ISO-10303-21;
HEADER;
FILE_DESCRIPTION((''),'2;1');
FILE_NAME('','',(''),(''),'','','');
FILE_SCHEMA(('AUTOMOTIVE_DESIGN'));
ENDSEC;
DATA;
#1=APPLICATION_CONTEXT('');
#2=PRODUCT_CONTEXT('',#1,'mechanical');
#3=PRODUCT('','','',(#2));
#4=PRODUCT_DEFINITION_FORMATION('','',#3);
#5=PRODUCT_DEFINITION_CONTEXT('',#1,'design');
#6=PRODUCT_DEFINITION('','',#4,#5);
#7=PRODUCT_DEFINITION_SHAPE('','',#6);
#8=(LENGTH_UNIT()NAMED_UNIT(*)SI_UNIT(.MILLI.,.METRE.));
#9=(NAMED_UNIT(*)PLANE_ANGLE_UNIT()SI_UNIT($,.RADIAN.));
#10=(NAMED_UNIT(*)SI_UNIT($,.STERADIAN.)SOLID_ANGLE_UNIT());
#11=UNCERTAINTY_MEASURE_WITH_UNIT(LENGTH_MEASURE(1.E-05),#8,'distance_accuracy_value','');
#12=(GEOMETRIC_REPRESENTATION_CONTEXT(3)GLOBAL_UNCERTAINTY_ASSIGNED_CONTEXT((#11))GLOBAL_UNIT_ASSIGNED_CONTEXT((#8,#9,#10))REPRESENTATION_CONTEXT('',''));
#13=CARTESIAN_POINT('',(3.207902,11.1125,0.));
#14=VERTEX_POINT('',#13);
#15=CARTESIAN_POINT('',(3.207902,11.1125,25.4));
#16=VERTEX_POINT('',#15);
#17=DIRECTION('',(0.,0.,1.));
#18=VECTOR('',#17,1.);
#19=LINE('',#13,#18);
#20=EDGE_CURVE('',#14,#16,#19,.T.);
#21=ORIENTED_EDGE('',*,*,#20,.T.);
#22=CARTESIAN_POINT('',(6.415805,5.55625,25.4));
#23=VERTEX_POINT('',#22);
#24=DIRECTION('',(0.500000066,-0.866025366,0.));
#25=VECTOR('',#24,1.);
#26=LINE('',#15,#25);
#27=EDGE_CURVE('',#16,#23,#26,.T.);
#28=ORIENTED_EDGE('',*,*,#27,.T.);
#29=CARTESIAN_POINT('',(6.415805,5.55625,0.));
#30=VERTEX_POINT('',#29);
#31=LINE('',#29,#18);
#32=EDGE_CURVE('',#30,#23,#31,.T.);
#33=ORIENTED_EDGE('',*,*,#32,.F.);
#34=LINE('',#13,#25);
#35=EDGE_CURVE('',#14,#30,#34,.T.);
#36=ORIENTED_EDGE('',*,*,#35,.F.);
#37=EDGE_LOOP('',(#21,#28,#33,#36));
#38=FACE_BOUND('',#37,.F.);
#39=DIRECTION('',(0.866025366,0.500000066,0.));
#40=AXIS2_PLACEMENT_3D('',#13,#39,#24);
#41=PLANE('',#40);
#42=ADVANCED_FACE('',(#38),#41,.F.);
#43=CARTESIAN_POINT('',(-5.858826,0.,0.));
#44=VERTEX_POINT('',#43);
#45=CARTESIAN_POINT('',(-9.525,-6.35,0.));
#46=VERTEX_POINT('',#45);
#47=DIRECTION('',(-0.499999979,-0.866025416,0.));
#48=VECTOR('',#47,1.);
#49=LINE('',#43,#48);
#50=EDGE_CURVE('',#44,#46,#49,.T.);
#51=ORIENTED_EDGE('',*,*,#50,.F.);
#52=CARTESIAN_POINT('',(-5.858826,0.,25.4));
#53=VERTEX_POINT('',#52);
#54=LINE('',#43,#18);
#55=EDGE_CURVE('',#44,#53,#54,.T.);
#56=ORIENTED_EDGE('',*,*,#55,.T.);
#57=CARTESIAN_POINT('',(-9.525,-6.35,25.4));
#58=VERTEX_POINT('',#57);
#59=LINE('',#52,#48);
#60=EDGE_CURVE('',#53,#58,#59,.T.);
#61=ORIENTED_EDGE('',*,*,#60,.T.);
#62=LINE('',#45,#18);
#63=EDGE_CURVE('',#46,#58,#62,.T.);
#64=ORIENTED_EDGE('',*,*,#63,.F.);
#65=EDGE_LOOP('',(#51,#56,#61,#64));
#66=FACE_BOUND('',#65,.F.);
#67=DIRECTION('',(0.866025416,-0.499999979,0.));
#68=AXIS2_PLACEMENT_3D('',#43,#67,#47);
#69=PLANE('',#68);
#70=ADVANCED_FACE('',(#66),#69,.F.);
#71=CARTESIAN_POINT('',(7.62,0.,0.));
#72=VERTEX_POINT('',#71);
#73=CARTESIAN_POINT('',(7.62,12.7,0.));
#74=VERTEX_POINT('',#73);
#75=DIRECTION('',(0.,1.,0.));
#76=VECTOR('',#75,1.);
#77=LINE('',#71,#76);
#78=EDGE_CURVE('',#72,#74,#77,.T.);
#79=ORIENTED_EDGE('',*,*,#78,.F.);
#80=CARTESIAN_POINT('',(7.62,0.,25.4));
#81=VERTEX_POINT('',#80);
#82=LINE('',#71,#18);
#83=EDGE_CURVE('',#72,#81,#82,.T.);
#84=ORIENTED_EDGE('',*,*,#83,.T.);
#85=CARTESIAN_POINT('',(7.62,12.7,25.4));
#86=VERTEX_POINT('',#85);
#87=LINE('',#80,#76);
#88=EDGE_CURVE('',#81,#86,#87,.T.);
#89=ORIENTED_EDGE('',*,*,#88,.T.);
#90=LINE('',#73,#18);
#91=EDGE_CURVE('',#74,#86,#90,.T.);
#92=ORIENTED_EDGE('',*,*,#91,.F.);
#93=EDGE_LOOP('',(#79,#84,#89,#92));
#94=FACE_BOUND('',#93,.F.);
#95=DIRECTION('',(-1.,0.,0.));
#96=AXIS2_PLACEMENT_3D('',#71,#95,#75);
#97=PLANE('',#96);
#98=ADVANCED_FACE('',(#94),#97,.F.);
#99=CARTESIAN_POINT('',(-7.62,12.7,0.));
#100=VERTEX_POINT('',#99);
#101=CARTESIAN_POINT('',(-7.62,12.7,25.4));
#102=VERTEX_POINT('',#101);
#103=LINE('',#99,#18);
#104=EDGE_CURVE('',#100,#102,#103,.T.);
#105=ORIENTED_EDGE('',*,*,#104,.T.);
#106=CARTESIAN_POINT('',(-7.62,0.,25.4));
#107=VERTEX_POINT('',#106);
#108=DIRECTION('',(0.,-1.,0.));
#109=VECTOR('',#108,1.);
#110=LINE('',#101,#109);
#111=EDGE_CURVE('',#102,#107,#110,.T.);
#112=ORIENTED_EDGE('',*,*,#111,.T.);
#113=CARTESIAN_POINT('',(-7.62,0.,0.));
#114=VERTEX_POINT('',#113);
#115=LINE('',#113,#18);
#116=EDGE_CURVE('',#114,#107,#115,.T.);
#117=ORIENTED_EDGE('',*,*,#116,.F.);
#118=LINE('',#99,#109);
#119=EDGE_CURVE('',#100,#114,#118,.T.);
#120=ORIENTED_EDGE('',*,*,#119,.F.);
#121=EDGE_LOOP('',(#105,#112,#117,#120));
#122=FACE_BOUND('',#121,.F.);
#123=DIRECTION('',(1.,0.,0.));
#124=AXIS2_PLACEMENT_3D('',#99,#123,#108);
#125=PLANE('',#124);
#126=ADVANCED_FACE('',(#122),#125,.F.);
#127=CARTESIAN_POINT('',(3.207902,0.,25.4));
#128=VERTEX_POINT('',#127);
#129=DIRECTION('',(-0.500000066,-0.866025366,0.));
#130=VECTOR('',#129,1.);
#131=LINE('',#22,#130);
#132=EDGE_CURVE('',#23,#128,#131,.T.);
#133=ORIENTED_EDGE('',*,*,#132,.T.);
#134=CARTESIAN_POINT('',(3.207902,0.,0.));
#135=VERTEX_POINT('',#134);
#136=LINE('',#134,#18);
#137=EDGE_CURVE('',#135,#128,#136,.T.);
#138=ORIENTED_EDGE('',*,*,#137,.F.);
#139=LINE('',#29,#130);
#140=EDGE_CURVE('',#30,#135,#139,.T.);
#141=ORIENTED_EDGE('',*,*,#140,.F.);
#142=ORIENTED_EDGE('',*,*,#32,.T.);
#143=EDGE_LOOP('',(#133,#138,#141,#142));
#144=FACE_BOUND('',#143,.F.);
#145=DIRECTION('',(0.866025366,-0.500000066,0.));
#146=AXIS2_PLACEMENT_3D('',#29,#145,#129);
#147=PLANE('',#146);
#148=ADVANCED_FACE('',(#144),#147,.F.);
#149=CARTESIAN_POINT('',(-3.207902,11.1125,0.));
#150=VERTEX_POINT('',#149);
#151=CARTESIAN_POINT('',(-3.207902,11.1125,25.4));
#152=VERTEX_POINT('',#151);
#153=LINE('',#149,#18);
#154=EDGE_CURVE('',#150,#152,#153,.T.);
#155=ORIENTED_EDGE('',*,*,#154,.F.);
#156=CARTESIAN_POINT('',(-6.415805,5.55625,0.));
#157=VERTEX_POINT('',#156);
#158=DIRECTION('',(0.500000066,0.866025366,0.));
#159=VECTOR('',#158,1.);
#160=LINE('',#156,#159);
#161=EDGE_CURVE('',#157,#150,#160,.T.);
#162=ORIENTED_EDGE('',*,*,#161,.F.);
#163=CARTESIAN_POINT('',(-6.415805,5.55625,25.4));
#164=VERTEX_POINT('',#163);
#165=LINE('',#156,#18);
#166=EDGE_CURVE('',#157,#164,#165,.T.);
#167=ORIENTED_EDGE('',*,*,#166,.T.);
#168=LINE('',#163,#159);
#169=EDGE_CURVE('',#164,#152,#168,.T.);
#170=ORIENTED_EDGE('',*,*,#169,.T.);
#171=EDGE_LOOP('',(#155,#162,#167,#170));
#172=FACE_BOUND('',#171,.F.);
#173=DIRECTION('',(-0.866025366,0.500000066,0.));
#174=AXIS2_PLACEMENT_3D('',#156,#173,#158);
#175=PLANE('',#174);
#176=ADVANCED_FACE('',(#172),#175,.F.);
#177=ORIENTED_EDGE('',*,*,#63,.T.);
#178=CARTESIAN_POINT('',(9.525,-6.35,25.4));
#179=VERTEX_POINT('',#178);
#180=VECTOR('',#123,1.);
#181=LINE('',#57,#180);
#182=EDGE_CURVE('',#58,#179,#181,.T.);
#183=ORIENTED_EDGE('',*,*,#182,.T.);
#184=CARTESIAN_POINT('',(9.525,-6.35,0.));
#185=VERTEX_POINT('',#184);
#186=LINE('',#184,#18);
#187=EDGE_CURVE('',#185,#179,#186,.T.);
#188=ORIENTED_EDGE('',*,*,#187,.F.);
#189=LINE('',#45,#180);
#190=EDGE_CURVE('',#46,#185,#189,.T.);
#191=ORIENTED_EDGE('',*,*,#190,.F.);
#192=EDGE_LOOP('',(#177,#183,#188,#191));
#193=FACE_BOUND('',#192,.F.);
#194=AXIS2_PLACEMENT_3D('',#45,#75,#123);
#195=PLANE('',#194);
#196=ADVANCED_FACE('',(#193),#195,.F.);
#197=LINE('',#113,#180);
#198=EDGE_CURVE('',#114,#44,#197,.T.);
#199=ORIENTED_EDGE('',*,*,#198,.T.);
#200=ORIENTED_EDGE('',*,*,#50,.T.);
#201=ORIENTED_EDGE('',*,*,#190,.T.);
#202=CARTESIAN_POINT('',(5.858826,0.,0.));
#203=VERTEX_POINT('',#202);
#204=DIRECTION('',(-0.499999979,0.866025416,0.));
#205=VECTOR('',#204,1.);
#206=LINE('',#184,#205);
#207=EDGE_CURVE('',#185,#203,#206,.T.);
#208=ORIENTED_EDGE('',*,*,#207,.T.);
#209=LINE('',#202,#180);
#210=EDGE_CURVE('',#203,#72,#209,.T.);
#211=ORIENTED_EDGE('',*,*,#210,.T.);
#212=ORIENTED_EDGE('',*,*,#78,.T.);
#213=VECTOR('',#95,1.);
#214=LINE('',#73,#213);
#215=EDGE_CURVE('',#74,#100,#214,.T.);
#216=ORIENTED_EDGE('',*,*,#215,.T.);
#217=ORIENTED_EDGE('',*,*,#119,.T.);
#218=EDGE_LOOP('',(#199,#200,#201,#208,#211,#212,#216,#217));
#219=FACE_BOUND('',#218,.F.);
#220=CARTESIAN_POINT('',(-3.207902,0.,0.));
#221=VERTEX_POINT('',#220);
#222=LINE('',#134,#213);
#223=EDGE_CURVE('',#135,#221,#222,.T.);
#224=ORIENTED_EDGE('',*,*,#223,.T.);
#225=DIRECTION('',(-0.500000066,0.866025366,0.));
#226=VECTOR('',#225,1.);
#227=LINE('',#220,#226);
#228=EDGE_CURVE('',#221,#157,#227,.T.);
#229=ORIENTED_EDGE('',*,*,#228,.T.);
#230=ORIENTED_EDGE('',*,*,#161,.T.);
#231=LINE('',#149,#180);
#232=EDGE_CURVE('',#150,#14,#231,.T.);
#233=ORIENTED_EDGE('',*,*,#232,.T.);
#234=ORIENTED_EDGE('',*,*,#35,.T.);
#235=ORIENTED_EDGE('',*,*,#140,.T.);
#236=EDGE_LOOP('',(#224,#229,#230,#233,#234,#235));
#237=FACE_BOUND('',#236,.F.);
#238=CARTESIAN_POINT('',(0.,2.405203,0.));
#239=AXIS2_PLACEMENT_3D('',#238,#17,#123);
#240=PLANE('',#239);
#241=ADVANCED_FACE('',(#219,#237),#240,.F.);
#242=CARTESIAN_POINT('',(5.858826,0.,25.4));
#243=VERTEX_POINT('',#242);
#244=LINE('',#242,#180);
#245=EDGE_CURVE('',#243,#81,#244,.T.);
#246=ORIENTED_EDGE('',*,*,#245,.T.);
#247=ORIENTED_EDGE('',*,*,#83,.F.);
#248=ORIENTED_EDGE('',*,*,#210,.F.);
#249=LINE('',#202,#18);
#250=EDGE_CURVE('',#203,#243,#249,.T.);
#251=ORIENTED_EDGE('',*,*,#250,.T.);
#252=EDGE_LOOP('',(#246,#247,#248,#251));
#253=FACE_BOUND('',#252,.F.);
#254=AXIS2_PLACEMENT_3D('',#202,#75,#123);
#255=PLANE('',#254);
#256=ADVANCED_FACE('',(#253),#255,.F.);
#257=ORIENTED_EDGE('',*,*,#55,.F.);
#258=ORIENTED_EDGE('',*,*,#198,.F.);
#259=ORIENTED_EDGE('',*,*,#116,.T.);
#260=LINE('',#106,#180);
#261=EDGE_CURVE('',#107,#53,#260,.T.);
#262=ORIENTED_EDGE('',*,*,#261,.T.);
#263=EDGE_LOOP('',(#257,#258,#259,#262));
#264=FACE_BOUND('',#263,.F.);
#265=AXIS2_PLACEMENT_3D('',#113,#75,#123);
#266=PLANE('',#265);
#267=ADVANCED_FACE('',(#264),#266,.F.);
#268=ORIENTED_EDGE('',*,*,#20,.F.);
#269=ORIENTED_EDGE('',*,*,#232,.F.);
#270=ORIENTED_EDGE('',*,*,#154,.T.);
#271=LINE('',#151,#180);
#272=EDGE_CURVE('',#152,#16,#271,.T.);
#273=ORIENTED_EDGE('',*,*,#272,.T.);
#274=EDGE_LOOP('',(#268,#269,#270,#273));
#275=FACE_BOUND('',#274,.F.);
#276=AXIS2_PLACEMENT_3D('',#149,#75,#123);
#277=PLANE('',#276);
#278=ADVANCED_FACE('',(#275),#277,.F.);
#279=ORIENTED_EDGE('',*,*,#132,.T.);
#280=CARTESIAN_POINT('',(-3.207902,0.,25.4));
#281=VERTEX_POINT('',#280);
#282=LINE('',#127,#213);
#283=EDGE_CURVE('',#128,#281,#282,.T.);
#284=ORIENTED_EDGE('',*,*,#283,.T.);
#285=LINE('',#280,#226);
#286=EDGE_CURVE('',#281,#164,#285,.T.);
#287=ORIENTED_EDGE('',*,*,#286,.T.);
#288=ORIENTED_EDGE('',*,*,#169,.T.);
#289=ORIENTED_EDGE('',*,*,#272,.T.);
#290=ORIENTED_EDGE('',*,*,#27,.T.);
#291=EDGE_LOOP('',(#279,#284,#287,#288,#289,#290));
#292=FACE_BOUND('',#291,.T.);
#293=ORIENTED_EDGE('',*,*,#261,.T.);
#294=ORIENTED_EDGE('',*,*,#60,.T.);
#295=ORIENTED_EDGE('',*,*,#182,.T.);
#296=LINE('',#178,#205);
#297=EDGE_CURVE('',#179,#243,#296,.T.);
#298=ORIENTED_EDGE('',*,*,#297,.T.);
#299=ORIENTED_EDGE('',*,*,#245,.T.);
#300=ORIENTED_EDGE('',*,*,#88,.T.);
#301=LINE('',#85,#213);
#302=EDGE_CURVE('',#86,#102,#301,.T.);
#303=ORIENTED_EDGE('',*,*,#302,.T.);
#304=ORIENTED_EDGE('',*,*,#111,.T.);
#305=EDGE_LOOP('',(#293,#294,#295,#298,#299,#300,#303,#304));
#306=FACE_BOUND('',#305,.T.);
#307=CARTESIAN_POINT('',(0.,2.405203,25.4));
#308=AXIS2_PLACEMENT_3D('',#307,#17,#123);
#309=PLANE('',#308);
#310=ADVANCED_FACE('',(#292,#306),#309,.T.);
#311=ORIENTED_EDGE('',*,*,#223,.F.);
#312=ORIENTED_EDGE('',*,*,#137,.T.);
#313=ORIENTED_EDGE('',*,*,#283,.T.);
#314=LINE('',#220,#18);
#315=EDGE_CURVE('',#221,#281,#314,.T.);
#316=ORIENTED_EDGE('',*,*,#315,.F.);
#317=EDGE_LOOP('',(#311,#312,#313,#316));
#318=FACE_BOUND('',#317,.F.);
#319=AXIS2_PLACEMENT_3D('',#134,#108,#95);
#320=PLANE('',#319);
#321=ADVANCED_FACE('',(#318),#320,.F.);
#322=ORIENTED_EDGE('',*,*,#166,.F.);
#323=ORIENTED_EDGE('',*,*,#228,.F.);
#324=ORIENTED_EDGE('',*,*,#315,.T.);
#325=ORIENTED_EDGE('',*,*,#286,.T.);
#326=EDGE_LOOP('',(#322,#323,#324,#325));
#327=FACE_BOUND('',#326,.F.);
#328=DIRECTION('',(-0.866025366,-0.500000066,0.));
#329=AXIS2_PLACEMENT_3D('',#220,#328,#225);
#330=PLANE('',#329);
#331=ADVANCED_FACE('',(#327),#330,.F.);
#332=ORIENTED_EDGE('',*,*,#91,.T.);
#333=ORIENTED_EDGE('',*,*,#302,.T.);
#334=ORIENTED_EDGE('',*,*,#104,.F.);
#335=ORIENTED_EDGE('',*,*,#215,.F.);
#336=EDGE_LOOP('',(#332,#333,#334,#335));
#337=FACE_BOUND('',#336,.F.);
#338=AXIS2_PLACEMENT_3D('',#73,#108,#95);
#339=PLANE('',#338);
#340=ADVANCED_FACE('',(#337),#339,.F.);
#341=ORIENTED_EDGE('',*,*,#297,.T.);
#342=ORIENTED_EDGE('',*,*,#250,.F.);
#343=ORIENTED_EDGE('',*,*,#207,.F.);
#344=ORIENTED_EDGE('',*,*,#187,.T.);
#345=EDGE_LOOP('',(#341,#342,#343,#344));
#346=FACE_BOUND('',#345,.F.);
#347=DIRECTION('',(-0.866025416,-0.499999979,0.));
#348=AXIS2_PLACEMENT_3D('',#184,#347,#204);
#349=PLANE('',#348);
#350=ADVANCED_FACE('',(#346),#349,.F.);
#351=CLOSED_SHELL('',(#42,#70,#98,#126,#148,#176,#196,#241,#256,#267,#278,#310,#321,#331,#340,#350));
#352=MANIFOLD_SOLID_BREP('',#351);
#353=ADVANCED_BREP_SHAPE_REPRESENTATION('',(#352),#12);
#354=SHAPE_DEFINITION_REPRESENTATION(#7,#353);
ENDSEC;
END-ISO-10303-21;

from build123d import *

# Parameters (mm, degrees)
F1_DEPTH = 25.4


with BuildPart() as f1:
    # F0 (on Top) → F1 (new body)
    with BuildSketch(Plane.XY):
        Polygon((-7.62, 12.7), (-7.62, 0), (-5.858826, 0), (-9.525, -6.35), (9.525, -6.35), (5.858826, 0), (7.62, 0), (7.62, 12.7), align=None)
        Polygon((6.415805, 5.55625), (3.207902, 0), (-3.207902, 0), (-6.415805, 5.55625), (-3.207902, 11.1125), (3.207902, 11.1125), align=None, mode=Mode.SUBTRACT)
    extrude(amount=F1_DEPTH)


solid = f1.part
